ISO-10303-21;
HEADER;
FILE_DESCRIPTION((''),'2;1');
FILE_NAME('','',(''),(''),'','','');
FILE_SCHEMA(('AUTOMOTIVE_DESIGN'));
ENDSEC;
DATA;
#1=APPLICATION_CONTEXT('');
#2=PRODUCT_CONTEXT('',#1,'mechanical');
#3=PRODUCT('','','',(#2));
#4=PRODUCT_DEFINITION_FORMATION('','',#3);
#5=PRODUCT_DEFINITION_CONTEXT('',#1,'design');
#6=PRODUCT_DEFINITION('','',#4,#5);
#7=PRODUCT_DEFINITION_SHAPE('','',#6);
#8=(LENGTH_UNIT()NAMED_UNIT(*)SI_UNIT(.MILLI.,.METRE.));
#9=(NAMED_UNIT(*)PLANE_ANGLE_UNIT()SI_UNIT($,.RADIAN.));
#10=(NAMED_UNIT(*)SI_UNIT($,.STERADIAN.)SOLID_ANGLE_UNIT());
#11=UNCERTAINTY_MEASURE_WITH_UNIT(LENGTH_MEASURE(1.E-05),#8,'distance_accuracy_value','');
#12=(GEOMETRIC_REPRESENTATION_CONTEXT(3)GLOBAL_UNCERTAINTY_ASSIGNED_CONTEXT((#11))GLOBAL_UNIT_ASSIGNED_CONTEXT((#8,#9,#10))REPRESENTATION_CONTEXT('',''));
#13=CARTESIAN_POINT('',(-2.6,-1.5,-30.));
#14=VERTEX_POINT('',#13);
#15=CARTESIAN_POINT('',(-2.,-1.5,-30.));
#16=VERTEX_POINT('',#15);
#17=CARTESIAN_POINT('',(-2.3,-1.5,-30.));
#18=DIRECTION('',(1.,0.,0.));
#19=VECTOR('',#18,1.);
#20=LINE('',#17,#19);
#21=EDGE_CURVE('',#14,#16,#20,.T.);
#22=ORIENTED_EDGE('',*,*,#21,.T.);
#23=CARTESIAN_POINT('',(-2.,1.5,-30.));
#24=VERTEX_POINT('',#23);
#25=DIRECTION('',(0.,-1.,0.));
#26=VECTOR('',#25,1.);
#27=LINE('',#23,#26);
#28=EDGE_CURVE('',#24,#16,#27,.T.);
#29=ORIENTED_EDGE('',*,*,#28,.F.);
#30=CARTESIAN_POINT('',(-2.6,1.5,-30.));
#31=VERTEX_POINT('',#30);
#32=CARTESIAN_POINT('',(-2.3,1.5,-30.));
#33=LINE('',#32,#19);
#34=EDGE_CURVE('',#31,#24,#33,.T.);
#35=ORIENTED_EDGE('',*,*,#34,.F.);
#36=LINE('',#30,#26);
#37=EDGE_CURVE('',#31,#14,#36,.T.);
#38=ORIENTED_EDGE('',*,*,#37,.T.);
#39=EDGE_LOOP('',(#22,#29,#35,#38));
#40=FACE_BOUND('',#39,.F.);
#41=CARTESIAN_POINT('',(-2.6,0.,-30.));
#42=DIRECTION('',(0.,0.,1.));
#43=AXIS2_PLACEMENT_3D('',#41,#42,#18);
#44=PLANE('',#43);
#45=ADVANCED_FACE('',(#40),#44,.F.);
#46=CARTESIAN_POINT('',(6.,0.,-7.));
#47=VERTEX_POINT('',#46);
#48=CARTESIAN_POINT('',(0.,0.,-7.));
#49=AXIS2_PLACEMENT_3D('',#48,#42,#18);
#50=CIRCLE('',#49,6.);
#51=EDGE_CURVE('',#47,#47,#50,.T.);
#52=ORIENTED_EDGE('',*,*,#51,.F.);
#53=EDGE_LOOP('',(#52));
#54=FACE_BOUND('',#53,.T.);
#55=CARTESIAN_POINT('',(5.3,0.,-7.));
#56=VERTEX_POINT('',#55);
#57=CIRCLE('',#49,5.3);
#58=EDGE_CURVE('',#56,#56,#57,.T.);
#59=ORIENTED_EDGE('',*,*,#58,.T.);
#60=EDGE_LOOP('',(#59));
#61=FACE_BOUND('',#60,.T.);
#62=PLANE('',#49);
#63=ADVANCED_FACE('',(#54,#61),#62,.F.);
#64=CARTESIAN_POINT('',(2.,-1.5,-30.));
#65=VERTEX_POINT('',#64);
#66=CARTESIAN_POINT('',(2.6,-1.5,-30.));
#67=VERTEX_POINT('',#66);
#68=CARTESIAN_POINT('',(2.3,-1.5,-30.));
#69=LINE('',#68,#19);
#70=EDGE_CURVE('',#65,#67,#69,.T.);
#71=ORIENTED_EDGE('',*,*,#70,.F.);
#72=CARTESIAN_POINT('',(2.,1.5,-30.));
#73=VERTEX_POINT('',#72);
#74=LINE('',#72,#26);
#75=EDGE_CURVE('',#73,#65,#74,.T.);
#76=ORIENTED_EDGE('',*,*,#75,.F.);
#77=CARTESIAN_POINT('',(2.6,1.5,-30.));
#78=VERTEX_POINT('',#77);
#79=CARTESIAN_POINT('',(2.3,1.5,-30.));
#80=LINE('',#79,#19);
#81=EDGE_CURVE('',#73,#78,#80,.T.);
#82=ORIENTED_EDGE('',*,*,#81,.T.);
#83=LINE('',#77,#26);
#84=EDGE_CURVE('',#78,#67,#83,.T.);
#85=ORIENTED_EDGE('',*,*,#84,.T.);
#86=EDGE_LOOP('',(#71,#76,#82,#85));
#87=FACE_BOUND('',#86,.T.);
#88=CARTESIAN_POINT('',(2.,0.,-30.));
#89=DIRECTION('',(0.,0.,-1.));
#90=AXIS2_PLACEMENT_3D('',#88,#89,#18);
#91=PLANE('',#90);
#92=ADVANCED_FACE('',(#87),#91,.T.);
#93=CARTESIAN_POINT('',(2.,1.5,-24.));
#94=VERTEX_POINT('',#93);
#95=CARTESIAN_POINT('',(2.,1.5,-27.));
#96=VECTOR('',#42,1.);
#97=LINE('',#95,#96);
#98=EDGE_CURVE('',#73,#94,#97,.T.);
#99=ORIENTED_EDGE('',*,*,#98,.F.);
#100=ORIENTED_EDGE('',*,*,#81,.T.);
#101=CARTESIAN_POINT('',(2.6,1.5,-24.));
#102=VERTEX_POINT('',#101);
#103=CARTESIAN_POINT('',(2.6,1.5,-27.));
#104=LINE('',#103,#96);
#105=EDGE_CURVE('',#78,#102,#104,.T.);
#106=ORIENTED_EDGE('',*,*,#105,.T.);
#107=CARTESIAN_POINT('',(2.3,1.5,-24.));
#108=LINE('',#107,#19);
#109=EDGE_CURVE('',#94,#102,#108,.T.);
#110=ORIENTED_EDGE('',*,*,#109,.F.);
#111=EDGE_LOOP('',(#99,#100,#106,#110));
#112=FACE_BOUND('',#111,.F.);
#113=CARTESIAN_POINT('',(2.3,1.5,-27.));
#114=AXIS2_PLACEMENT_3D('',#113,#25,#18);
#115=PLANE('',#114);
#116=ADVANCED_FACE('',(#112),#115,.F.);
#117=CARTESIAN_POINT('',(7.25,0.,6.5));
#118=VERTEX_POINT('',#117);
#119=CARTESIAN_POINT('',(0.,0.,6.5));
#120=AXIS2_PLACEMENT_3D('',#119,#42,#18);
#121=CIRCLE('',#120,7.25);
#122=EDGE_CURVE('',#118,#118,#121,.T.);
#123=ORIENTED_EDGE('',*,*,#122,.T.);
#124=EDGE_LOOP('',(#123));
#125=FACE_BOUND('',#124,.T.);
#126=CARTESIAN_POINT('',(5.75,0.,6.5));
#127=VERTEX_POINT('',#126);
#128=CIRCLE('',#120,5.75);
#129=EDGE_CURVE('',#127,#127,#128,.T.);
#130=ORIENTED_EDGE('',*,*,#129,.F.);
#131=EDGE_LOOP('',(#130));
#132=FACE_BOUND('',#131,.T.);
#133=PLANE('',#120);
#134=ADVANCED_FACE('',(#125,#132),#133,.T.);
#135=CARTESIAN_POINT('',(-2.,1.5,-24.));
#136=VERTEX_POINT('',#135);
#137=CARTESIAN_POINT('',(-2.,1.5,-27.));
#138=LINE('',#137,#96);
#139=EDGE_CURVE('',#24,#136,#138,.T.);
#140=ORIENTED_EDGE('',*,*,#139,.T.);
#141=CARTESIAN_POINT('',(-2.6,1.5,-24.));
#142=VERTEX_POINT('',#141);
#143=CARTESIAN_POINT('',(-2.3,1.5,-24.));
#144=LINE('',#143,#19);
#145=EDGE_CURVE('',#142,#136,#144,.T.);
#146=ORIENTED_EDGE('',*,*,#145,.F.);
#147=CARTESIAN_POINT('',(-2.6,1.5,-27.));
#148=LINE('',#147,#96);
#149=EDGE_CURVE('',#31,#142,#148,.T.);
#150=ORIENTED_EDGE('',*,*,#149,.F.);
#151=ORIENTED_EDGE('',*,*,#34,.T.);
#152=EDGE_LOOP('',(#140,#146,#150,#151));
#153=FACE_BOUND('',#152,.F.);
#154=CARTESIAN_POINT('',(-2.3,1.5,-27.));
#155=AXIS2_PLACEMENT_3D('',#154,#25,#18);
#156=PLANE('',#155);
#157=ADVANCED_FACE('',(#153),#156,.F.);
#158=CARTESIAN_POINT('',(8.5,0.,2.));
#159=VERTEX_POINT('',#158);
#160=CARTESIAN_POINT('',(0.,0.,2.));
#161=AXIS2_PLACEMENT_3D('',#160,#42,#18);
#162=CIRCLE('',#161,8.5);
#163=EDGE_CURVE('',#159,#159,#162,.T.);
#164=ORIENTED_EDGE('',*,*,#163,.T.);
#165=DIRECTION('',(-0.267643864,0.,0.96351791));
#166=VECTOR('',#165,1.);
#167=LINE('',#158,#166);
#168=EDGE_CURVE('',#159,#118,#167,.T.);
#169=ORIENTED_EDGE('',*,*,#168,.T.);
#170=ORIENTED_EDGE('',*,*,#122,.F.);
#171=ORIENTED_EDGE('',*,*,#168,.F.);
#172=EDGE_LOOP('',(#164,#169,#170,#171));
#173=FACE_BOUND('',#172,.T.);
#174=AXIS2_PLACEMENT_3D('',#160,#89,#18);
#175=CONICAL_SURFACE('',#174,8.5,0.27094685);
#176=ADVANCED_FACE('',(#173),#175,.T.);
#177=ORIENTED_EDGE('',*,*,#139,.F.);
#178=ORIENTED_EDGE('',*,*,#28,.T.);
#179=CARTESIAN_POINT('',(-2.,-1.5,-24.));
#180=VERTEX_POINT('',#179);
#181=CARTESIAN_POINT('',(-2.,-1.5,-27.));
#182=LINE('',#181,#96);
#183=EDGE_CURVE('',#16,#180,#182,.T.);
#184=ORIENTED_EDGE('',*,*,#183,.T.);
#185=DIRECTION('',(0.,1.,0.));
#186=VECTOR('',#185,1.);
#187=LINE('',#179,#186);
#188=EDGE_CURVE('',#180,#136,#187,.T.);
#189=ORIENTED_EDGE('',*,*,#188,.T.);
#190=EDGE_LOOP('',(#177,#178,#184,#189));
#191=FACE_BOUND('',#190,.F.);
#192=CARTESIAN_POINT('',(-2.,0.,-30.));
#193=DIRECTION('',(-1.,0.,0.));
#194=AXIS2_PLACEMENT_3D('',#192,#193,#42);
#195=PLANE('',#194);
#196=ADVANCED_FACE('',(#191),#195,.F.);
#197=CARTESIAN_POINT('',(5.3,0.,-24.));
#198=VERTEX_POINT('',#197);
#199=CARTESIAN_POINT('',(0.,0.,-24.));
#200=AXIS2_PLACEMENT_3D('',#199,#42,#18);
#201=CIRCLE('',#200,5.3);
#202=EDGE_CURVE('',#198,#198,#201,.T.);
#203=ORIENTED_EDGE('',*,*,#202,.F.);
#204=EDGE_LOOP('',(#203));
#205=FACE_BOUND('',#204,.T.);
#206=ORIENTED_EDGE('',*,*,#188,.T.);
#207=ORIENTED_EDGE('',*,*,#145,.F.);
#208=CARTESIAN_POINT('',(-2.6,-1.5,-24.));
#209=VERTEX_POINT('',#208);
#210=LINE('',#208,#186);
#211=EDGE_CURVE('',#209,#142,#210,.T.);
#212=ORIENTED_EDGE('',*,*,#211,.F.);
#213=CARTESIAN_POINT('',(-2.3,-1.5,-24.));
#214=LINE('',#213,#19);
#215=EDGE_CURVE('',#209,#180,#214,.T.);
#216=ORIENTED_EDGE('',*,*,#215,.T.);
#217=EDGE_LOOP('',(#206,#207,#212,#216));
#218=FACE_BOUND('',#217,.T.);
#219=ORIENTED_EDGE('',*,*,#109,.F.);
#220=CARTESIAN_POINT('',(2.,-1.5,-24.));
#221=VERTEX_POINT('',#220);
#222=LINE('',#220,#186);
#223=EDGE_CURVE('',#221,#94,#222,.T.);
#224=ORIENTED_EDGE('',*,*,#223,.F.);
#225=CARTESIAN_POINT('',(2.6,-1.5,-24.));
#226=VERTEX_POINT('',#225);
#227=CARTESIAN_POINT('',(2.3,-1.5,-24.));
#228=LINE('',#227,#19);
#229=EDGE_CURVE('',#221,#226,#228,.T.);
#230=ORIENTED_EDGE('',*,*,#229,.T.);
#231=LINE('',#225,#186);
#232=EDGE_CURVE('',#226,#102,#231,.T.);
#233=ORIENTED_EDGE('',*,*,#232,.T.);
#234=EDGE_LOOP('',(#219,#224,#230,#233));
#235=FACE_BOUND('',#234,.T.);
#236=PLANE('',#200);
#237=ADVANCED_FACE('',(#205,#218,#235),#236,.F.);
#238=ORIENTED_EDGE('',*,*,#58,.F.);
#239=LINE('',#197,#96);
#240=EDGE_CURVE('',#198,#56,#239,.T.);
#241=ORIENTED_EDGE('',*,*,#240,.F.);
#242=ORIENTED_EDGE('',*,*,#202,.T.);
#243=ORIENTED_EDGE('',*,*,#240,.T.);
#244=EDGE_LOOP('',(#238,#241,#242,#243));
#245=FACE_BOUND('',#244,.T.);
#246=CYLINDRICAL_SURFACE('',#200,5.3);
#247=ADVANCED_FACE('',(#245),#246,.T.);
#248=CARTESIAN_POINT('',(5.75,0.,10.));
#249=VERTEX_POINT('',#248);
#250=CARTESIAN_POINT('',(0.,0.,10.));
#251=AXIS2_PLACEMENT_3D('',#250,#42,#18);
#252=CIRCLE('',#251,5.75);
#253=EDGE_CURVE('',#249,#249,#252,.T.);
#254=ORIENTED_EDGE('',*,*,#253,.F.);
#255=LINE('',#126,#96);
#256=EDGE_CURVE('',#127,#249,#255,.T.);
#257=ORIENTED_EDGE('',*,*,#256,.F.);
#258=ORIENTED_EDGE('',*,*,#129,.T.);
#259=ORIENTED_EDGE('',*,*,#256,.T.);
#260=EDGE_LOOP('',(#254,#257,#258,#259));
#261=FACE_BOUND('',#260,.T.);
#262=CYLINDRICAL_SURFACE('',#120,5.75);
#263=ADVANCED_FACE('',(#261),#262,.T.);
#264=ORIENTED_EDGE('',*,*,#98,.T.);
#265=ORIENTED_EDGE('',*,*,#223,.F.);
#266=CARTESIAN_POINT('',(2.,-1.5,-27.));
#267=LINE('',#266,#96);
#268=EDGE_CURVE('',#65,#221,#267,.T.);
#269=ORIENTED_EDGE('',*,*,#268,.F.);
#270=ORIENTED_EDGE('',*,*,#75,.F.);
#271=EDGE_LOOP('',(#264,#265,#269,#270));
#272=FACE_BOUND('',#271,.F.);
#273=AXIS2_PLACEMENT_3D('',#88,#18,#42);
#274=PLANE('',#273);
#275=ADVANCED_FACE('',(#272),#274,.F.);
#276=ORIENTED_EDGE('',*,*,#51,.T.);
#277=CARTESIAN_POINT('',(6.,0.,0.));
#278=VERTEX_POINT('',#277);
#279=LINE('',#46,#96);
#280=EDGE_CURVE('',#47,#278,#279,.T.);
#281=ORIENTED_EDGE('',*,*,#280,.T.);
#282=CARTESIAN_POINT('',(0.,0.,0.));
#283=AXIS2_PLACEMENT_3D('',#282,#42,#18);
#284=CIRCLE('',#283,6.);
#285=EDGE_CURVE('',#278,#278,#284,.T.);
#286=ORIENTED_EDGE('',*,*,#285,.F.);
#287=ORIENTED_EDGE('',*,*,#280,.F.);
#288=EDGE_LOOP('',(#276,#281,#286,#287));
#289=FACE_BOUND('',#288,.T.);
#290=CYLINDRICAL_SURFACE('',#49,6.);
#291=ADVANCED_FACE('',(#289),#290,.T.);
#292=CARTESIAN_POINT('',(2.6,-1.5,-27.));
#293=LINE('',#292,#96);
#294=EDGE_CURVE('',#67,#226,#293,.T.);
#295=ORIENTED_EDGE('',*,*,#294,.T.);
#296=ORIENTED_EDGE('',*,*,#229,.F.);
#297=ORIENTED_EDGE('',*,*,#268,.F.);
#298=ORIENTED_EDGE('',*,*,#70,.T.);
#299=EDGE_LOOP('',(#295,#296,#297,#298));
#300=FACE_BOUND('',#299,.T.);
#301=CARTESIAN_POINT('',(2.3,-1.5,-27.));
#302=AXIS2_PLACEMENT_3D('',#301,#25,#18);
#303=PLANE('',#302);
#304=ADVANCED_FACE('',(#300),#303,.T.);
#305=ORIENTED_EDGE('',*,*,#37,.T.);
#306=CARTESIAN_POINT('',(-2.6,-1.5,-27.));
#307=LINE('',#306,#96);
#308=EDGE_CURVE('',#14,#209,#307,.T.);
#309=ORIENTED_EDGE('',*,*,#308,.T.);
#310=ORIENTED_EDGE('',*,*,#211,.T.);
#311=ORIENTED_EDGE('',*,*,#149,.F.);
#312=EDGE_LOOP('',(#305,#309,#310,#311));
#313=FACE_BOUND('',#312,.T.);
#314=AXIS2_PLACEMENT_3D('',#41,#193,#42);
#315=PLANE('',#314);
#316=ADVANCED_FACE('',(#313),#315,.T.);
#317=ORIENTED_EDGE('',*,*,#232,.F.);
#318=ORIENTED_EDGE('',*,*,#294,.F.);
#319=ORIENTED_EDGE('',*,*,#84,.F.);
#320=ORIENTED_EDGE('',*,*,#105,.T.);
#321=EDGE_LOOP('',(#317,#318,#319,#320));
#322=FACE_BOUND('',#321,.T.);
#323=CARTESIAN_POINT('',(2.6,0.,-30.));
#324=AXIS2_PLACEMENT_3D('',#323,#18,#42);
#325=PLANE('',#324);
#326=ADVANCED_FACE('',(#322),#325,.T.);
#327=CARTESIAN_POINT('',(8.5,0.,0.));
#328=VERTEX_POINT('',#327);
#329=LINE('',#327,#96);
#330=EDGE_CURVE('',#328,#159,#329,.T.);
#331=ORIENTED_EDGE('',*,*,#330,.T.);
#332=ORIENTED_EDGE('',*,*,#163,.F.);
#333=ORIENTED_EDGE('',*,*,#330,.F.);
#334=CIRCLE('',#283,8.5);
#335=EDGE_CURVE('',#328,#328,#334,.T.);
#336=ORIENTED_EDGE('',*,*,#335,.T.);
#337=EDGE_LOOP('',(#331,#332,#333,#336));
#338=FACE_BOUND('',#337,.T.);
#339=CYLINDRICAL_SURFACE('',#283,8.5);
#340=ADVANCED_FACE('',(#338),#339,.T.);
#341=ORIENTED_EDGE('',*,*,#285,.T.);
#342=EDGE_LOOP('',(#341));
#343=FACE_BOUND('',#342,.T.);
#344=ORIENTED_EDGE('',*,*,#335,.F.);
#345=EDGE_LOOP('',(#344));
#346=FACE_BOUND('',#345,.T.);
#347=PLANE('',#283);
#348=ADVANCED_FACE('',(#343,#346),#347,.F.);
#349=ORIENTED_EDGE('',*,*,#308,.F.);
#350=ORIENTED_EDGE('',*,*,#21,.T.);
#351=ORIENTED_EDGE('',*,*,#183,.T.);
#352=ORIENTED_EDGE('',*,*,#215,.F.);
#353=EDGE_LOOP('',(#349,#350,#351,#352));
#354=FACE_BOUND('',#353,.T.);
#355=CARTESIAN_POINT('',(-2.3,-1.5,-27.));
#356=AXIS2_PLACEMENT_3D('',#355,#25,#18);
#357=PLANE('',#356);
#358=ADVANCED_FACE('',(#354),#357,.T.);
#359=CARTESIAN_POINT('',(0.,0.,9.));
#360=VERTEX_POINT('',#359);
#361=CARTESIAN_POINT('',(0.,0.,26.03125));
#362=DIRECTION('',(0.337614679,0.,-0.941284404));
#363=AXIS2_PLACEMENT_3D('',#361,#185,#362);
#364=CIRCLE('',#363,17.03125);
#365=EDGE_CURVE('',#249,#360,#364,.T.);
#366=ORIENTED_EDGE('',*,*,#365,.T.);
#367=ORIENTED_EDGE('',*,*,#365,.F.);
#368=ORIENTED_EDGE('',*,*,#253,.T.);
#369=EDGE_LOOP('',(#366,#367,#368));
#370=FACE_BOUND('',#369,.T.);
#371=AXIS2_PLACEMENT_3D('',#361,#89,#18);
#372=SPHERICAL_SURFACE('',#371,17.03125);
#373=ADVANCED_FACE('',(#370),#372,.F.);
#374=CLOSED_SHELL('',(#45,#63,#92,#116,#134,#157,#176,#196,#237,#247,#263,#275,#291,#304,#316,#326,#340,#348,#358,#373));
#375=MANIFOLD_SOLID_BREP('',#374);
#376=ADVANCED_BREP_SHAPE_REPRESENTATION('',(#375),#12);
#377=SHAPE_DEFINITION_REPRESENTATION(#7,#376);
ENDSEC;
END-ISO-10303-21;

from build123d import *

# Parameters (mm, degrees)
F0_W     = 0.6
F0_H     = 6
F2_DEPTH = 1.5


with BuildPart() as f1:
    # F0 (on Front) → F1 (revolve)
    with BuildSketch(Plane.XZ):
        with BuildLine():
            Line((5.75, 6.5), (5.75, 10))
            ThreePointArc((5.75, 10), (2.9181543825, 9.2518623007), (0, 9))
            Line((0, 9), (0, -24))
            Line((0, -24), (2, -24))
            Line((2, -24), (2.6, -24))
            Line((2.6, -24), (5.3, -24))
            Line((5.3, -24), (5.3, -7))
            Line((5.3, -7), (6, -7))
            Line((6, -7), (6, 0))
            Line((6, 0), (8.5, 0))
            Line((8.5, 0), (8.5, 2))
            Line((8.5, 2), (7.25, 6.5))
            Line((7.25, 6.5), (5.75, 6.5))
        make_face()
    revolve(axis=Axis((0, 0, -7.5), (0, 0, 1)))

    # F0 (on Front) → F2 (join, symmetric)
    with BuildSketch(Plane.XZ):
        with Locations((-2.3, -27)):
            Rectangle(F0_W, F0_H)
        with Locations((2.3, -27)):
            Rectangle(F0_W, F0_H)
    extrude(amount=F2_DEPTH, both=True)


solid = f1.part
